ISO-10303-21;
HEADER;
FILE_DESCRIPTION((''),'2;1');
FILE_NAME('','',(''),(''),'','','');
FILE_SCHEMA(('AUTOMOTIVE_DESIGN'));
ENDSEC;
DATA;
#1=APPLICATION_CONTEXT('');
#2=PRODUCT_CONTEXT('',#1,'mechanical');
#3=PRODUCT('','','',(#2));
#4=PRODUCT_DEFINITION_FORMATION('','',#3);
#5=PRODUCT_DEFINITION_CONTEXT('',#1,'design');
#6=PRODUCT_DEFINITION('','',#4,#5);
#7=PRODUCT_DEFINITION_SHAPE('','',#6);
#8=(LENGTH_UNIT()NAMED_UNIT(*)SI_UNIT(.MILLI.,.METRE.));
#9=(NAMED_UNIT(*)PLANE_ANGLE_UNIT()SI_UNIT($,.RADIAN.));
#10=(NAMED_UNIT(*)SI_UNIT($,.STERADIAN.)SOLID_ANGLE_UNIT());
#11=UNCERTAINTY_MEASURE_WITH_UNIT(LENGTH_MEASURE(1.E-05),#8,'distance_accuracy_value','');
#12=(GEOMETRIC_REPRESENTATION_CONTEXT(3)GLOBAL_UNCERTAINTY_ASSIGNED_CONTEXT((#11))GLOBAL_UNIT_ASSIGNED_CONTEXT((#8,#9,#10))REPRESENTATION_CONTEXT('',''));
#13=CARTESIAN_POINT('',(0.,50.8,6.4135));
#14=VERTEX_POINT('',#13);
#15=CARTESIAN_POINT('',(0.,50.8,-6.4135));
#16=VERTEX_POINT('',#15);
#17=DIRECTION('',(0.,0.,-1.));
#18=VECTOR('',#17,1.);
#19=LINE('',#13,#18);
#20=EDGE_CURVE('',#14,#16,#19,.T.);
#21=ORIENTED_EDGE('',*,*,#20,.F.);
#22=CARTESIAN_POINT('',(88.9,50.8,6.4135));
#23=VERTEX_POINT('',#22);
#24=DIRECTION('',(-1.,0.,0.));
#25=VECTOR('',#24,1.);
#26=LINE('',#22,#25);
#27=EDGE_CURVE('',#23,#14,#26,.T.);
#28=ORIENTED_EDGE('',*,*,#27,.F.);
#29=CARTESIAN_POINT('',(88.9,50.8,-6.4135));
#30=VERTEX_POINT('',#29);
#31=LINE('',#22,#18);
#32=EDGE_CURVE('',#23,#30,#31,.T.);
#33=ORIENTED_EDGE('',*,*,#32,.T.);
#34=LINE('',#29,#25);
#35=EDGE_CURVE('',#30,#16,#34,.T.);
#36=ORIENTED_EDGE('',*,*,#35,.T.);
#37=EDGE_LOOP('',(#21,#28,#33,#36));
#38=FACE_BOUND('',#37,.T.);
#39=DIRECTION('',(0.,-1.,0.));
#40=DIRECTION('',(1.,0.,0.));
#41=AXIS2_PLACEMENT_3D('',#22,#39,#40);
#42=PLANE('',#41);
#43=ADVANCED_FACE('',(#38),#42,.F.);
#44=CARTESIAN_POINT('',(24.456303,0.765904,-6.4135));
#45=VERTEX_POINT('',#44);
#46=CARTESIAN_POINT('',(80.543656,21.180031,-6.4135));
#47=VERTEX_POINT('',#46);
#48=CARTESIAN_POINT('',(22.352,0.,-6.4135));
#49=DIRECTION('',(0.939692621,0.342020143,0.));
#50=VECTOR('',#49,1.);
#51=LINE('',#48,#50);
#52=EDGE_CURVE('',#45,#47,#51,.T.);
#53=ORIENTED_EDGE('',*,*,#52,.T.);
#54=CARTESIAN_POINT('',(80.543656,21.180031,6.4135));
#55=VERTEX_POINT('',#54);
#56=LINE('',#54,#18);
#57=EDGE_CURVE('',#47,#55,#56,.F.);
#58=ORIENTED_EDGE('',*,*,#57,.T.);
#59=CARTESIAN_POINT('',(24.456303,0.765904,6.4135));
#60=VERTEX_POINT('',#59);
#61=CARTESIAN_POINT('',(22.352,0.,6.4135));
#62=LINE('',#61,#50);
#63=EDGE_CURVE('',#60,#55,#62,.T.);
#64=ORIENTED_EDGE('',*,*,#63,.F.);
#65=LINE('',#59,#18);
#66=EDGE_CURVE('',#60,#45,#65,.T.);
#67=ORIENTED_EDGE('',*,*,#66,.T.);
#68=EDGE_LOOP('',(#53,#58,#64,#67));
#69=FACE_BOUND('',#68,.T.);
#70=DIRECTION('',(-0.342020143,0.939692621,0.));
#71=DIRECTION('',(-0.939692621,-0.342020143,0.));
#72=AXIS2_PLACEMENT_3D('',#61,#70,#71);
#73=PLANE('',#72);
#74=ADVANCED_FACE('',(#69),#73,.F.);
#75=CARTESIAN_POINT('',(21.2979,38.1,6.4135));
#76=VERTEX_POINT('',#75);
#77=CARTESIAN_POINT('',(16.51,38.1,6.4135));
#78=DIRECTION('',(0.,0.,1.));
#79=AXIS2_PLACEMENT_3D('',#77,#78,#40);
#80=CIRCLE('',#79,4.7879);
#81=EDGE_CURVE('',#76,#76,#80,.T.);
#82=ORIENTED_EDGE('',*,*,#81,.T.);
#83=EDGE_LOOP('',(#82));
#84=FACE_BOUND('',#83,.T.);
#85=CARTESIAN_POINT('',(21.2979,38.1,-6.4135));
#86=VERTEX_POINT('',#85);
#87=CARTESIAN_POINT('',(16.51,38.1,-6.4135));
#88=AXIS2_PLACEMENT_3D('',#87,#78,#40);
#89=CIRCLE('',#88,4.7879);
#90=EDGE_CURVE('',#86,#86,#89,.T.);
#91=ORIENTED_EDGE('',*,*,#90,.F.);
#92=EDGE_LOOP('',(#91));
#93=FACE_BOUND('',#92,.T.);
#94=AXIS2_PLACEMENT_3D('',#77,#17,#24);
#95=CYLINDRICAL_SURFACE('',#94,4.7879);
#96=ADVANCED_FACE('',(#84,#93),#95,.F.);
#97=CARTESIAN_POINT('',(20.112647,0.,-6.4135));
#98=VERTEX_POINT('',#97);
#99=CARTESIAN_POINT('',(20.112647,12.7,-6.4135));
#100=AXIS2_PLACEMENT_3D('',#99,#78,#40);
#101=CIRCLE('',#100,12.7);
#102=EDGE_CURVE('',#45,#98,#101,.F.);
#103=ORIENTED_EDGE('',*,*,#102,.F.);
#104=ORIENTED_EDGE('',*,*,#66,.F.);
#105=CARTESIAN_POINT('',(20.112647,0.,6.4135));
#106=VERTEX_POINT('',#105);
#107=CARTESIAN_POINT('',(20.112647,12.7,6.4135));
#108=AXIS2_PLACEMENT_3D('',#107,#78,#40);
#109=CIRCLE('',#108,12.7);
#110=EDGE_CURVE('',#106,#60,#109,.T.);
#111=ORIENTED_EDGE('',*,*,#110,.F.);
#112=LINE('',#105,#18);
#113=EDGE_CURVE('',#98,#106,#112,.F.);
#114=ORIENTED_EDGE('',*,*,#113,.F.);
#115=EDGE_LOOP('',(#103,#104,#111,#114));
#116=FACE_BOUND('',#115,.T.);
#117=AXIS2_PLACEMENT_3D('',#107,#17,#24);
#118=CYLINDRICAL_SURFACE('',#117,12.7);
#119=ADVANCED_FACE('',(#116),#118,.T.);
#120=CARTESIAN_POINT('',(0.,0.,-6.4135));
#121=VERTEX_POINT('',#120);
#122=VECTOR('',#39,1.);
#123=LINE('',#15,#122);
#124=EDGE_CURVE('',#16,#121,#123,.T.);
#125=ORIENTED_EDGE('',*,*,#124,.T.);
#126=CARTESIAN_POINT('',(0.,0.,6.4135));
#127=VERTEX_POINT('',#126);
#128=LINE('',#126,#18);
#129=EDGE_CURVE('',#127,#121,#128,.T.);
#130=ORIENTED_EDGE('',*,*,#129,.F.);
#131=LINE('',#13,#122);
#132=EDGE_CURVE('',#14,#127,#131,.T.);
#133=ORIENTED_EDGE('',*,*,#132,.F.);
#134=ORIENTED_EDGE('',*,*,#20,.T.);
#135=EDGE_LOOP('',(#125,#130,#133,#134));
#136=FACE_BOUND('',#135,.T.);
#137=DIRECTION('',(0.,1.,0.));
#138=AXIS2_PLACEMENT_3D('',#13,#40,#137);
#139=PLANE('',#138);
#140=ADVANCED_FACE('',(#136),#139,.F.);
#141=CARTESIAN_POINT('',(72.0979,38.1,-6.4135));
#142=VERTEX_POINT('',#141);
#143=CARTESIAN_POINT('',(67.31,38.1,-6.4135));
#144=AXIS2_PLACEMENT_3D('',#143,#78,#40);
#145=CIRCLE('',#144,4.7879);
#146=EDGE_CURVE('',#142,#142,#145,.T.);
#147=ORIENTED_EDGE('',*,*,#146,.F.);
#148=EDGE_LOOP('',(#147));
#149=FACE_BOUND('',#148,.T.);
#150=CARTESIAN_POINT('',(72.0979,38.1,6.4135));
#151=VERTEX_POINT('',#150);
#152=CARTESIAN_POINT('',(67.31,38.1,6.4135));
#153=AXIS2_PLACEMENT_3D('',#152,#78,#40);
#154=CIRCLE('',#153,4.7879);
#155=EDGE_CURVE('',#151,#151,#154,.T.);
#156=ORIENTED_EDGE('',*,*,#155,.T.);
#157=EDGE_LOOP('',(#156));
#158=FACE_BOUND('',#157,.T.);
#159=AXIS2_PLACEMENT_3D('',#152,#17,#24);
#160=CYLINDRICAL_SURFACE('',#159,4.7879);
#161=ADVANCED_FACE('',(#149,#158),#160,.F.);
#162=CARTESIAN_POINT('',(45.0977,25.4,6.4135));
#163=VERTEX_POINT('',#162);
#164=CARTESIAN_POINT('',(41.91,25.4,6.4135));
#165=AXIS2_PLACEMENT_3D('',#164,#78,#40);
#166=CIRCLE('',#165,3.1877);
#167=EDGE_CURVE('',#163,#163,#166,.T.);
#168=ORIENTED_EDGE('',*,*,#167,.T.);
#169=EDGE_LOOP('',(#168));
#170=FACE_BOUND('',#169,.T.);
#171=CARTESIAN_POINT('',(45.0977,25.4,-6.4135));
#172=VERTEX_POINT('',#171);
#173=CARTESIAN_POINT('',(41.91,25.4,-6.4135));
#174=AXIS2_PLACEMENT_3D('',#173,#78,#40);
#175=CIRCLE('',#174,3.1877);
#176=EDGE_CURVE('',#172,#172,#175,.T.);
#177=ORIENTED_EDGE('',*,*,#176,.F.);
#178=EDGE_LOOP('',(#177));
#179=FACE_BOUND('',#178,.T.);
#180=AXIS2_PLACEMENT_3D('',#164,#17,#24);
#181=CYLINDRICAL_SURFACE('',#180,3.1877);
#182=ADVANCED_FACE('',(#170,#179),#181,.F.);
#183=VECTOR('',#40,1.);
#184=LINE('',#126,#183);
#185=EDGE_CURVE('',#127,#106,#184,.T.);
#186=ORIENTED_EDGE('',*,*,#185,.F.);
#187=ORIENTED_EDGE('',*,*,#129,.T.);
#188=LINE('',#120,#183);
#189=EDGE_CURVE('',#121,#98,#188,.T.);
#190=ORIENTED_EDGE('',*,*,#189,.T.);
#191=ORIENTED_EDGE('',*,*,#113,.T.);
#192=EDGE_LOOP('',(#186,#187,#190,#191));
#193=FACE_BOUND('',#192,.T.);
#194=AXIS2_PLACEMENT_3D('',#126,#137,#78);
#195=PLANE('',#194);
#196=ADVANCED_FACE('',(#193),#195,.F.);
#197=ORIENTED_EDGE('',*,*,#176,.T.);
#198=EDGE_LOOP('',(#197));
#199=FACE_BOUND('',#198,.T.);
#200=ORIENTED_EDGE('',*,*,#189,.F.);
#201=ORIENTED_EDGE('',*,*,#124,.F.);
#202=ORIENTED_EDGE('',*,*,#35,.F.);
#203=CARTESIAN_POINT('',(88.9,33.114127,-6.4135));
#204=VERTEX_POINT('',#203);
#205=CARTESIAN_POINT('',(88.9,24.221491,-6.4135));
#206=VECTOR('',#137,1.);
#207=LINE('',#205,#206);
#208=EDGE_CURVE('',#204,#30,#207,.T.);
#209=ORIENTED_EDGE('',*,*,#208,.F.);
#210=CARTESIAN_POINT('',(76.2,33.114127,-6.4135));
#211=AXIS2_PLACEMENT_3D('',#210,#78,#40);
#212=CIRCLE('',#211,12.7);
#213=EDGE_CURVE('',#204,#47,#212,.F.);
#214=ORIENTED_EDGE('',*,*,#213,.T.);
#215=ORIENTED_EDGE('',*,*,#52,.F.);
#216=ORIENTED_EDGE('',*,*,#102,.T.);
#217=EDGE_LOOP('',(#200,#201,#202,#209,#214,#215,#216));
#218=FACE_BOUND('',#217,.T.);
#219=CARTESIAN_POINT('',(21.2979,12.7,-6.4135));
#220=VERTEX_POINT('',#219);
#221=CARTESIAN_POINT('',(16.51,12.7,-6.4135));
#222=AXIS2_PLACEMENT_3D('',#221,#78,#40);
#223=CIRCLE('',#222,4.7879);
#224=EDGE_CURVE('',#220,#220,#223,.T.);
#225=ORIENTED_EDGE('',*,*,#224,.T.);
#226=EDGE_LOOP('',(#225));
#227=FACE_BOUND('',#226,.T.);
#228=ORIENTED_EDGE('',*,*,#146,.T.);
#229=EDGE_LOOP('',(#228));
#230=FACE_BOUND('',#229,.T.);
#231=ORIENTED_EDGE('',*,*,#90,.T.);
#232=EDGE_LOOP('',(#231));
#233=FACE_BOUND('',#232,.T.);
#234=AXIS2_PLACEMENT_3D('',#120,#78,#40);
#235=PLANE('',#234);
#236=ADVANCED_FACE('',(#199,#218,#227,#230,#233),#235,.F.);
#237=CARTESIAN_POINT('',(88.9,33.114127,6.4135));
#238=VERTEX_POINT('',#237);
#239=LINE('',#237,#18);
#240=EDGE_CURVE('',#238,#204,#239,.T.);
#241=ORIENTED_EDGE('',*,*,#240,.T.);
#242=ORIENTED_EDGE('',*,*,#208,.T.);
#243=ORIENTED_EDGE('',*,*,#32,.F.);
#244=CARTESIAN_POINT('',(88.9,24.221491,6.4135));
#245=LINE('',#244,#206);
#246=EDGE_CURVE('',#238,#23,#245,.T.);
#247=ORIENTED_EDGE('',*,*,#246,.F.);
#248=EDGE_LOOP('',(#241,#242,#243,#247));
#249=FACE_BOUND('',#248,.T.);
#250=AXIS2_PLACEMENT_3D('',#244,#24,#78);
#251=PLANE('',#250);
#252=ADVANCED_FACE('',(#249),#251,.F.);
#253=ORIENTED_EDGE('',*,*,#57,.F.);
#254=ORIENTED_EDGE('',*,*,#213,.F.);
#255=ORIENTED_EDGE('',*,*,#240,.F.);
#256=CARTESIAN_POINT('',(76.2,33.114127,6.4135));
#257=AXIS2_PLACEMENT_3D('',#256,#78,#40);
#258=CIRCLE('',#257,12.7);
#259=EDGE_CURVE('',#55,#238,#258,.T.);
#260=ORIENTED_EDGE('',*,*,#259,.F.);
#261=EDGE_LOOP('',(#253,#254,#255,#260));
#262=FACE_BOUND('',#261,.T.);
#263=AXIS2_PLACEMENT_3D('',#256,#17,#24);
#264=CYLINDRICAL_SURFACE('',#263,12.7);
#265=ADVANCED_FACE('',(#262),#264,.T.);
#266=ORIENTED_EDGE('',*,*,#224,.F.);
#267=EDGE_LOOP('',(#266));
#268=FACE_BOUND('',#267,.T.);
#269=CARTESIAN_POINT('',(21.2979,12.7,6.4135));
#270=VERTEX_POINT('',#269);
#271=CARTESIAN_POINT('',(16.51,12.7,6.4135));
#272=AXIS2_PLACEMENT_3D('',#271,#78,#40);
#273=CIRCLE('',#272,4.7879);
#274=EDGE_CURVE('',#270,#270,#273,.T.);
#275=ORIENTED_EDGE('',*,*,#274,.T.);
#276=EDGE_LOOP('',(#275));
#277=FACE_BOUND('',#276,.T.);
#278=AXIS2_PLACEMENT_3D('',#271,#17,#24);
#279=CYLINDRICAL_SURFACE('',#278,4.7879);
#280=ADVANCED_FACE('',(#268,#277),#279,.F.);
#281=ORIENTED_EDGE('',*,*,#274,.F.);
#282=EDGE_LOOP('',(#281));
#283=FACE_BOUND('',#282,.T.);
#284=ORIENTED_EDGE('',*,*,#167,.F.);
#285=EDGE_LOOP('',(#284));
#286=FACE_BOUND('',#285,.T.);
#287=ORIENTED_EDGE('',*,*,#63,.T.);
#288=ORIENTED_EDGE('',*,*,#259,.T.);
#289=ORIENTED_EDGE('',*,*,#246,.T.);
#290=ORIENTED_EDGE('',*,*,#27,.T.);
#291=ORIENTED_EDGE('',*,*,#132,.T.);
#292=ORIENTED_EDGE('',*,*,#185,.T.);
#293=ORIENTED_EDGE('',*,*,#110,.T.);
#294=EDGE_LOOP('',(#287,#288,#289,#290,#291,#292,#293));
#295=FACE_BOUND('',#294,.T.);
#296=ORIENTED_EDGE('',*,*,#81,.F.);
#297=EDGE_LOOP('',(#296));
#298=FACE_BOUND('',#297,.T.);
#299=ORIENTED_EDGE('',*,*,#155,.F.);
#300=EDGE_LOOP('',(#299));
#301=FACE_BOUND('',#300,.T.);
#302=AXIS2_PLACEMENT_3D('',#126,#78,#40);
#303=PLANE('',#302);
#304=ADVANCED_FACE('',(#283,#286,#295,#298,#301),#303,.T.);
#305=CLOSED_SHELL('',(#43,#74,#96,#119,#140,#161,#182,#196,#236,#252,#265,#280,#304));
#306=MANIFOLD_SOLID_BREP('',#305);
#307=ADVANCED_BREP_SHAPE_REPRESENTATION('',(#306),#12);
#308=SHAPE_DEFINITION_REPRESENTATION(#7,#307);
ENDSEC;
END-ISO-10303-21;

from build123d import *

# Parameters (mm, degrees)
SKETCH1_R           = 4.7879
SKETCH1_R_2         = 3.1877
BOSS_EXTRUDE1_DEPTH = 6.4135
FILLET1_R           = 12.7


with BuildPart() as part:
    # Sketch1 → Boss-Extrude1 (new body, symmetric)
    with BuildSketch(Plane.XY):
        Polygon((0, 0), (22.352, 0), (88.9, 24.22149115), (88.9, 50.8), (0, 50.8), align=None)
        with Locations((16.51, 12.7)):
            Circle(SKETCH1_R, mode=Mode.SUBTRACT)
        with Locations((16.51, 38.1)):
            Circle(SKETCH1_R, mode=Mode.SUBTRACT)
        with Locations((67.31, 38.1)):
            Circle(SKETCH1_R, mode=Mode.SUBTRACT)
        with Locations((41.91, 25.4)):
            Circle(SKETCH1_R_2, mode=Mode.SUBTRACT)
    extrude(amount=BOSS_EXTRUDE1_DEPTH, both=True)

    # Fillet1
    fillet1_edges = [part.edges().sort_by_distance(p)[0] for p in [
        (88.9, 24.22149115, 0),
        (22.352, 0, 0),
    ]]
    fillet(fillet1_edges, radius=FILLET1_R)


solid = part.part
